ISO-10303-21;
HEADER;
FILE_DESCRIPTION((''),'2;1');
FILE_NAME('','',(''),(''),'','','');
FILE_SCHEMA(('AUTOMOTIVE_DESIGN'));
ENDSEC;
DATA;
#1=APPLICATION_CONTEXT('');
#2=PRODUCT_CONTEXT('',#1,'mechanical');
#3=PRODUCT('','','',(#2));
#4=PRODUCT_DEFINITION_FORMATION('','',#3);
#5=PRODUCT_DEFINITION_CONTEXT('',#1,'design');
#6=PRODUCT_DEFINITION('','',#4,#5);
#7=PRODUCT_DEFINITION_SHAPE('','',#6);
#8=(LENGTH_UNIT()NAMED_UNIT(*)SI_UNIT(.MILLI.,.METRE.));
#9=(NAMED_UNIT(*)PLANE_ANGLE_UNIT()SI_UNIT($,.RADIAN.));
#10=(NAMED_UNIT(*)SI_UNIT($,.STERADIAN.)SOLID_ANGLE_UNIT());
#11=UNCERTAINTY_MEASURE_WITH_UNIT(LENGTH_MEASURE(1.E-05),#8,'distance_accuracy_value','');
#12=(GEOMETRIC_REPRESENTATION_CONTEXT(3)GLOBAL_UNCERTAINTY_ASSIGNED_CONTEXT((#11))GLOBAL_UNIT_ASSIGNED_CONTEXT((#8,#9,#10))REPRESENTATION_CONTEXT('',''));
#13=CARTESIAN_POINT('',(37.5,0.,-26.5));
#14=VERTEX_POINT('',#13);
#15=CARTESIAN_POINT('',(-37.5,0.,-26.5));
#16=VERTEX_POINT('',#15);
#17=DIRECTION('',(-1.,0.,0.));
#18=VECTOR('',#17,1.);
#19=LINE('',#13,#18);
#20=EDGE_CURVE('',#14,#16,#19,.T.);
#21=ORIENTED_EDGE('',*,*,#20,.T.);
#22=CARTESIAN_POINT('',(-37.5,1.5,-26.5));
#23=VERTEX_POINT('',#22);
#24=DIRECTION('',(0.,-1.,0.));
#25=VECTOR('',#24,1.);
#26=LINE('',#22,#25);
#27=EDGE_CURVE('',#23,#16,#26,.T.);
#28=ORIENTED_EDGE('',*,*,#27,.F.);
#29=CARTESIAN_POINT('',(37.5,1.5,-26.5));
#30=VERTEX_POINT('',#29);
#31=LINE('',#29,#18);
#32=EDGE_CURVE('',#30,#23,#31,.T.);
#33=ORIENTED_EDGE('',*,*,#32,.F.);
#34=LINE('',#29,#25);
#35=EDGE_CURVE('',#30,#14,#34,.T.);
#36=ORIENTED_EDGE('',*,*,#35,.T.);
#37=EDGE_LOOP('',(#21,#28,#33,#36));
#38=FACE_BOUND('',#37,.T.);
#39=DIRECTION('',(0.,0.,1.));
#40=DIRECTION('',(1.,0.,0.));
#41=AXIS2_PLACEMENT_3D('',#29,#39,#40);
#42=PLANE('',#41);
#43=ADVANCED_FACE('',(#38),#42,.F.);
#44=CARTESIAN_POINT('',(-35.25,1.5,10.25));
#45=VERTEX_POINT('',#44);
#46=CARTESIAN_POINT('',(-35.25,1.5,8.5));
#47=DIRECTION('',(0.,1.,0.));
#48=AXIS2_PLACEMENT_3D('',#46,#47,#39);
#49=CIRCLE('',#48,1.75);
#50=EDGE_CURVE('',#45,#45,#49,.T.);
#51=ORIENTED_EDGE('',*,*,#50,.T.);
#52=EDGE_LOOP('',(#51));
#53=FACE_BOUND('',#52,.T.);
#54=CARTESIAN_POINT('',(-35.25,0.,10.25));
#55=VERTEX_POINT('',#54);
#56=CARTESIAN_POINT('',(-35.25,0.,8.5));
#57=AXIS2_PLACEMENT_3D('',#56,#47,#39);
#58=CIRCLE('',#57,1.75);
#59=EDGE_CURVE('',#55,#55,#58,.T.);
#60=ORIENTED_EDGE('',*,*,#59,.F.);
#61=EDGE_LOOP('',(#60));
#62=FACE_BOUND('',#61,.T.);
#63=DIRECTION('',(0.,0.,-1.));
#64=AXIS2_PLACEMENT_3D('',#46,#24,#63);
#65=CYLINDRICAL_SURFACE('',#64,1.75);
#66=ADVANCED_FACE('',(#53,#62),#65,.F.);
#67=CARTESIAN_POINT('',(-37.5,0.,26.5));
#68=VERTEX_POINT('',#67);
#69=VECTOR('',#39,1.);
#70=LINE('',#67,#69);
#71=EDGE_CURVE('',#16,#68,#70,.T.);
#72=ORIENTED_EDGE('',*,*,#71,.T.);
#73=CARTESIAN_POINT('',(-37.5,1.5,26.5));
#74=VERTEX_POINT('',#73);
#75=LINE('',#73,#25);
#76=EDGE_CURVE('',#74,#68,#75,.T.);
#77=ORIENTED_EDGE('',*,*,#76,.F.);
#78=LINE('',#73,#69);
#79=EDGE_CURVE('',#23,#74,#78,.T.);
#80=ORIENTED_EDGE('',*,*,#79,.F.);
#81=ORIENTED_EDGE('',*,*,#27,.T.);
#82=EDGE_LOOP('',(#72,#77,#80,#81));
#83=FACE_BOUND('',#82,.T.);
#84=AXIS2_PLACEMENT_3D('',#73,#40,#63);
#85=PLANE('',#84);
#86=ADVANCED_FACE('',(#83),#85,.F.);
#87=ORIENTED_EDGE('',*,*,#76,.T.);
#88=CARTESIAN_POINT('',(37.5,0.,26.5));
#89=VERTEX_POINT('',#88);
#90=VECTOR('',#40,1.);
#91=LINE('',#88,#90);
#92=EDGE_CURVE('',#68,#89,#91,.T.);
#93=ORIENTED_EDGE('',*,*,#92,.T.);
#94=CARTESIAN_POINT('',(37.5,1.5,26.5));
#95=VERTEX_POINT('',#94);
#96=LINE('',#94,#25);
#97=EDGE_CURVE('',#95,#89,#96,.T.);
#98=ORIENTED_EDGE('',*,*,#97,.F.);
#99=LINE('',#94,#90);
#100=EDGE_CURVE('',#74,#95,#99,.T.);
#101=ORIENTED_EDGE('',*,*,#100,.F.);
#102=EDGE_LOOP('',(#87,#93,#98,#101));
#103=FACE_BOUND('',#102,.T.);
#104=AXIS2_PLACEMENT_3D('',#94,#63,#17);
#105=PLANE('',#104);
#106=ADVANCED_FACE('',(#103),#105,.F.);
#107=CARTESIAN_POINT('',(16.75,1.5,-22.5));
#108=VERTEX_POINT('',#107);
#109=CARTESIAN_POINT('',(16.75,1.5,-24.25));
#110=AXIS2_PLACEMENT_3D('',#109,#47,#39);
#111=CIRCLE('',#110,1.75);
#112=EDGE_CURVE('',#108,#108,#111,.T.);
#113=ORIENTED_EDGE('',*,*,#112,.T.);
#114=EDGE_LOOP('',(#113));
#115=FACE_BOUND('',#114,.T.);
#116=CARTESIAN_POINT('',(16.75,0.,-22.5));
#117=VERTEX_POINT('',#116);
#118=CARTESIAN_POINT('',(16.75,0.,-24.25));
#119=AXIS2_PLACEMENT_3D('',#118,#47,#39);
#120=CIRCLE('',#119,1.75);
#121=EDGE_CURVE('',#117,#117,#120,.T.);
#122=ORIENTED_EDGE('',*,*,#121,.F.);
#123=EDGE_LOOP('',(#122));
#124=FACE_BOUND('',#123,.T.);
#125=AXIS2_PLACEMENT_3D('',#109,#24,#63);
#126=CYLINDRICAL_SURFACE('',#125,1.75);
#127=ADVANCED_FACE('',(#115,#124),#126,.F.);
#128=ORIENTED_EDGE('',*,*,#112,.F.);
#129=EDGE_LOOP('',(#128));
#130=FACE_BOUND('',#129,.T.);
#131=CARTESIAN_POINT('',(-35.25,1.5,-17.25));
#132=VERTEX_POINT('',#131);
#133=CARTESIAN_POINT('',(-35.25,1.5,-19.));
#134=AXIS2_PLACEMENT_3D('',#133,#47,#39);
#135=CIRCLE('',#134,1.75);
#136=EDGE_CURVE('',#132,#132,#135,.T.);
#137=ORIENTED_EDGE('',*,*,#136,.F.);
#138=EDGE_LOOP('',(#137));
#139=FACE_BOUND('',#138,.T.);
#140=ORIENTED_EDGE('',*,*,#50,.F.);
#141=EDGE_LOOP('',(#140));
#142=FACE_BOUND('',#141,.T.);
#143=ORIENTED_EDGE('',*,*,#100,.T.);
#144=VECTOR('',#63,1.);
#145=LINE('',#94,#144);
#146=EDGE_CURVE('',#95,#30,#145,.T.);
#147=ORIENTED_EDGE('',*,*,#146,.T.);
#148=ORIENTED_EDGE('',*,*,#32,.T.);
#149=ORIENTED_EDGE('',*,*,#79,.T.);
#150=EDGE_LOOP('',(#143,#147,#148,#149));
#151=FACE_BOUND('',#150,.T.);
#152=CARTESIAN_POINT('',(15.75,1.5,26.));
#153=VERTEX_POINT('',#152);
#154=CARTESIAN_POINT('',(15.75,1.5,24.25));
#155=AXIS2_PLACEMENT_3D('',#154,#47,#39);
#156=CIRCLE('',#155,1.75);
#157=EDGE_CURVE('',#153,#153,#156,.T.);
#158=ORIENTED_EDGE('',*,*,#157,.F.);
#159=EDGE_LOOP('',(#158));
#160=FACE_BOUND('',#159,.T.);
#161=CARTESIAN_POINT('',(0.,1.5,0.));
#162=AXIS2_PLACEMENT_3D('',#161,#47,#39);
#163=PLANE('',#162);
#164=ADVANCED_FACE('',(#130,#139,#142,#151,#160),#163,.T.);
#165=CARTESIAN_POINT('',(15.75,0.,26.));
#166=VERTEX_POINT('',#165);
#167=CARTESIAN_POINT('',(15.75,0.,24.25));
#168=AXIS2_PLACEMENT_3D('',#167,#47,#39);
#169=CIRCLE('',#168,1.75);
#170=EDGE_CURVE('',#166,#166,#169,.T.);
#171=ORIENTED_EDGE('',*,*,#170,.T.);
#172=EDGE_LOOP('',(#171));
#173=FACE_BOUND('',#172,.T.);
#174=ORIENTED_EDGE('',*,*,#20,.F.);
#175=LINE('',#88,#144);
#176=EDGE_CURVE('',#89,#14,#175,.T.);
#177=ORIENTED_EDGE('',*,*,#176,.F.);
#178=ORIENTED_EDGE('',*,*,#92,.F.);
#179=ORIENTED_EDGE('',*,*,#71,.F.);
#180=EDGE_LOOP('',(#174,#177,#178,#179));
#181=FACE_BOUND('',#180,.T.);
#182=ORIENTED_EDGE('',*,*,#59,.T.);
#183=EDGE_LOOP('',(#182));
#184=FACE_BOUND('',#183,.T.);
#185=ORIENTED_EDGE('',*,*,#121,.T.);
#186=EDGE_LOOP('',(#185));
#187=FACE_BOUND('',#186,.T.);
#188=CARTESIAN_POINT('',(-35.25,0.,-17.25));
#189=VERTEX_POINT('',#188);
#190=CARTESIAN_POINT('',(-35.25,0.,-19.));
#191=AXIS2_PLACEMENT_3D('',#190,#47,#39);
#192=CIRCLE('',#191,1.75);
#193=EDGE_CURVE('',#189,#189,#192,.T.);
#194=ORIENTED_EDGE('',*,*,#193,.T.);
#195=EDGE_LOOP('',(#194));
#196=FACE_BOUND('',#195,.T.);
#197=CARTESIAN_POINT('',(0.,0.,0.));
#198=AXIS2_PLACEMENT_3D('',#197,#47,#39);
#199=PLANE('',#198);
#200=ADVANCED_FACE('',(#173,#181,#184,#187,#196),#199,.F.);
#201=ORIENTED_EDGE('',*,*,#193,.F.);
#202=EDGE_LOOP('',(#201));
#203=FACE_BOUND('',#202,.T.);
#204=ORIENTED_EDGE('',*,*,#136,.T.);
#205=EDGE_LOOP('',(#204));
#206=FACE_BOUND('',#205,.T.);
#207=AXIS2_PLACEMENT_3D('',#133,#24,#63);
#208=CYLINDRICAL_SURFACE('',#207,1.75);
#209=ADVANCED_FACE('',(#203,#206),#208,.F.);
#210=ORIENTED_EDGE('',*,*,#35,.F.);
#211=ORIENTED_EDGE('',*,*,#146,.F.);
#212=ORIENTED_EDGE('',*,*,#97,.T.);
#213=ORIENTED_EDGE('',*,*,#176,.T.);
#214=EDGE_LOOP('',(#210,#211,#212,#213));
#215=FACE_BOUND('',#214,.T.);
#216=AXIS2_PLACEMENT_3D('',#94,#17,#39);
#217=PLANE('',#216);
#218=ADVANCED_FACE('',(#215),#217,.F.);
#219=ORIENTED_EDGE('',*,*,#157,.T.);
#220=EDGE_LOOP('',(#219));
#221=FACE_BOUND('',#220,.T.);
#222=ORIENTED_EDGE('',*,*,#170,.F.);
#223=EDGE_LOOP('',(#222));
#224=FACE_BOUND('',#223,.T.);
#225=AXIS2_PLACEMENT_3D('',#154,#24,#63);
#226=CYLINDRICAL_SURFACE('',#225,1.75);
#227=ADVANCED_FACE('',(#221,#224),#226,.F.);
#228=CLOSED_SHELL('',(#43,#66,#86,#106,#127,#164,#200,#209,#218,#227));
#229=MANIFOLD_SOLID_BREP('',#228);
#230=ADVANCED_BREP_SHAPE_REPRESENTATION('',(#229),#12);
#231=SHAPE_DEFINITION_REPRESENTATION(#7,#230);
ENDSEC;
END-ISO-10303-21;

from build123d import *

# Parameters (mm, degrees)
SKETCH1_W           = 75
SKETCH1_H           = 53
SKETCH1_R           = 1.75
BOSS_EXTRUDE1_DEPTH = 1.5


with BuildPart() as part:
    # Sketch1 → Boss-Extrude1 (new body)
    with BuildSketch(Plane(origin=(0, 0, 0), x_dir=(1, 0, 0), z_dir=(0, 1, 0))):
        Rectangle(SKETCH1_W, SKETCH1_H)
        with Locations(Location((-35.25, 19, 0), (0, 0, 270))):
            Circle(SKETCH1_R, mode=Mode.SUBTRACT)
        with Locations(Location((-35.25, -8.5, 0), (0, 0, 270))):
            Circle(SKETCH1_R, mode=Mode.SUBTRACT)
        with Locations(Location((15.75, -24.25, 0), (0, 0, 270))):
            Circle(SKETCH1_R, mode=Mode.SUBTRACT)
        with Locations(Location((16.75, 24.25, 0), (0, 0, 270))):
            Circle(SKETCH1_R, mode=Mode.SUBTRACT)
    extrude(amount=BOSS_EXTRUDE1_DEPTH)


solid = part.part
